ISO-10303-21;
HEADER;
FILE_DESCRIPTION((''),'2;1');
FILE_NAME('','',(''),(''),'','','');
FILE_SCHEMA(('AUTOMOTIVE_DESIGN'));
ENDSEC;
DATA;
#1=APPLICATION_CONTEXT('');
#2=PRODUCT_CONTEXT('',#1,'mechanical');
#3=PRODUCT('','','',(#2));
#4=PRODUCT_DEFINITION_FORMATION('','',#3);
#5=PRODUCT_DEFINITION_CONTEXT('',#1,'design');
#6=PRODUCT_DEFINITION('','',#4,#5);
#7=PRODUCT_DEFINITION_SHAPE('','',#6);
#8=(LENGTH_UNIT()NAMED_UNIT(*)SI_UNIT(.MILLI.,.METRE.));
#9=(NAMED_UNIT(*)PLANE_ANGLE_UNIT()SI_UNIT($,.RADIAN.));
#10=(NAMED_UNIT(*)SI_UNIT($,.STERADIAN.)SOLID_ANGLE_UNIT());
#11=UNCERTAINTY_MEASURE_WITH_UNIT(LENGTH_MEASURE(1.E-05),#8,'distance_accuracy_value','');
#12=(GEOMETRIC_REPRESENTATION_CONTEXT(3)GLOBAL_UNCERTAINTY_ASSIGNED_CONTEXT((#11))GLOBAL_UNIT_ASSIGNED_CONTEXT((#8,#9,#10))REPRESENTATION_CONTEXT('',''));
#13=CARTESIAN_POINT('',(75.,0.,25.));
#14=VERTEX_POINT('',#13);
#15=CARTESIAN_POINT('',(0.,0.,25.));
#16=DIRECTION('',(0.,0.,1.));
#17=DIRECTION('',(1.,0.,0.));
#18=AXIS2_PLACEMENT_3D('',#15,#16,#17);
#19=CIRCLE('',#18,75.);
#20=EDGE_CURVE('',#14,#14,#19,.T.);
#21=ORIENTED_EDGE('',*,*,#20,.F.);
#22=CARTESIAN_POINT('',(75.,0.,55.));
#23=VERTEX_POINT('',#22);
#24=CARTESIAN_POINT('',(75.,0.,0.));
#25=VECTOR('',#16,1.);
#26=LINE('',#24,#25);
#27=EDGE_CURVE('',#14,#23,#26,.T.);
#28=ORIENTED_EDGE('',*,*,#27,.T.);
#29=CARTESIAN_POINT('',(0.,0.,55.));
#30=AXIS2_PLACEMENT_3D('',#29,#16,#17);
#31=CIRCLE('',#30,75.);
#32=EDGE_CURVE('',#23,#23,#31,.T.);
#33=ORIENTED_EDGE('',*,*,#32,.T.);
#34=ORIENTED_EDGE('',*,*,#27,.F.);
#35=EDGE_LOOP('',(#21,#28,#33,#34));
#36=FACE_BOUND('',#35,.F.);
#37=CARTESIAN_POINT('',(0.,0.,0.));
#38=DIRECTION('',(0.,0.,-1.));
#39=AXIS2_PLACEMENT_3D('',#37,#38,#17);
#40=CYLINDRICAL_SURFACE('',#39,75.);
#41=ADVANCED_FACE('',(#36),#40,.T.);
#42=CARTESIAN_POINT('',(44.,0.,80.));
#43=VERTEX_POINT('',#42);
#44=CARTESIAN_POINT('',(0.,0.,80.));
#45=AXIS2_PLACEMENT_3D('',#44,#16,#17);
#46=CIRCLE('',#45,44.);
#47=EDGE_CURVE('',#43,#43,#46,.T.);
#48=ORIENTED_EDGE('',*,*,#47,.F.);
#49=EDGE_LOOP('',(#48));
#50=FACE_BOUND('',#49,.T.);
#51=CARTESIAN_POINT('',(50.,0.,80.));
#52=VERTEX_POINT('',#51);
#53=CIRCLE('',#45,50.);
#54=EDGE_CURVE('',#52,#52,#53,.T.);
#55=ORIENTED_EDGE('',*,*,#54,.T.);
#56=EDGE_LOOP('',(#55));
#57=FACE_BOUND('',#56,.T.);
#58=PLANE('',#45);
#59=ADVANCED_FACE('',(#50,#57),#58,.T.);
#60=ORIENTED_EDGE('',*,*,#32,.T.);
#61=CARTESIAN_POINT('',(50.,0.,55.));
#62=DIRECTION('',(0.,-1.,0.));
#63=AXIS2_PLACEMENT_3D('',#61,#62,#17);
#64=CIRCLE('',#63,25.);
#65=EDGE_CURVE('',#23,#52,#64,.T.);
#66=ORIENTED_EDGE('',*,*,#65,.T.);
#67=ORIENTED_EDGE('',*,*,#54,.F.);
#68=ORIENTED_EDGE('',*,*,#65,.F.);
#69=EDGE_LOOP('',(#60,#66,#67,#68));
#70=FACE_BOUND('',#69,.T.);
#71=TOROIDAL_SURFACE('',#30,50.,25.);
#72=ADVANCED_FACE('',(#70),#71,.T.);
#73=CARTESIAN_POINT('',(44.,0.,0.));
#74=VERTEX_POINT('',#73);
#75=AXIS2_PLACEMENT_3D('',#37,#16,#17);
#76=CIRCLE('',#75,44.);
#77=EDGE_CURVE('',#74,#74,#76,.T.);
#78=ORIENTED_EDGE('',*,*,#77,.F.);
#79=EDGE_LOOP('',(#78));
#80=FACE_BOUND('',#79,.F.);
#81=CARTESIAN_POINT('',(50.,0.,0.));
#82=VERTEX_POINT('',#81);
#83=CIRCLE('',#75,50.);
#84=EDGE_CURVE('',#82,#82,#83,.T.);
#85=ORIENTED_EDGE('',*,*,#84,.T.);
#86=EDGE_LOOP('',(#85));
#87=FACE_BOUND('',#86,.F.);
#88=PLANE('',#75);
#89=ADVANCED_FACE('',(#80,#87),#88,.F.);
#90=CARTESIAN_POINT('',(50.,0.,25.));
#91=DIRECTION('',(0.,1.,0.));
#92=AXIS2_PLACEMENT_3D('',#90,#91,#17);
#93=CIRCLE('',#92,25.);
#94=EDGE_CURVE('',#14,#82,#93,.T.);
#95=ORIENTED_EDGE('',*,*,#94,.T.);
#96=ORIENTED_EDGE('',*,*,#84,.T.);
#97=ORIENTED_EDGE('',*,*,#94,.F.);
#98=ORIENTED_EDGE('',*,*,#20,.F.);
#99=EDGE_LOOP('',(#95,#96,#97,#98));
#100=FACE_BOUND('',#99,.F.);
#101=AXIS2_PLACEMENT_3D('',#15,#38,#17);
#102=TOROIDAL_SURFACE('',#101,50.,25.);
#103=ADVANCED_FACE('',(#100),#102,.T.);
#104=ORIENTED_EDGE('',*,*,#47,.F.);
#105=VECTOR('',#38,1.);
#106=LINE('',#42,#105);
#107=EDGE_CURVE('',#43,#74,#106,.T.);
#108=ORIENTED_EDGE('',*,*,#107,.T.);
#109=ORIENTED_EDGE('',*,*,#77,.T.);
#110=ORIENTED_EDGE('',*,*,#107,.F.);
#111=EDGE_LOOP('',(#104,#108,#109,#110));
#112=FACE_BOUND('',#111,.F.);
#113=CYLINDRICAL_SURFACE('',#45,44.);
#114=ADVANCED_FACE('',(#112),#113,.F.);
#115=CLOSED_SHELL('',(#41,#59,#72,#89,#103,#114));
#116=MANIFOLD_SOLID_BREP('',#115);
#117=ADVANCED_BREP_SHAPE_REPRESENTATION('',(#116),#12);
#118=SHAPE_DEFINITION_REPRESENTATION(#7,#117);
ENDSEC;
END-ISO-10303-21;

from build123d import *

# Parameters (mm, degrees)
F0_R     = 75
F1_DEPTH = 80
F2_R     = 25
F3_R     = 44
F4_DEPTH = 177.9


with BuildPart() as f1:
    # F0 (on Top) → F1 (new body)
    with BuildSketch(Plane.XY):
        Circle(F0_R)
    extrude(amount=F1_DEPTH)

    # F2
    f2_edges = [f1.edges().sort_by_distance(p)[0] for p in [
        (75, 0, 40),
        (-75, 0, 0),
        (-75, 0, 80),
    ]]
    fillet(f2_edges, radius=F2_R)

    # F3 (on face) → F4 (cut)
    with BuildSketch(Plane.XY.offset(80)):
        Circle(F3_R)
    extrude(amount=-F4_DEPTH, mode=Mode.SUBTRACT)


solid = f1.part
